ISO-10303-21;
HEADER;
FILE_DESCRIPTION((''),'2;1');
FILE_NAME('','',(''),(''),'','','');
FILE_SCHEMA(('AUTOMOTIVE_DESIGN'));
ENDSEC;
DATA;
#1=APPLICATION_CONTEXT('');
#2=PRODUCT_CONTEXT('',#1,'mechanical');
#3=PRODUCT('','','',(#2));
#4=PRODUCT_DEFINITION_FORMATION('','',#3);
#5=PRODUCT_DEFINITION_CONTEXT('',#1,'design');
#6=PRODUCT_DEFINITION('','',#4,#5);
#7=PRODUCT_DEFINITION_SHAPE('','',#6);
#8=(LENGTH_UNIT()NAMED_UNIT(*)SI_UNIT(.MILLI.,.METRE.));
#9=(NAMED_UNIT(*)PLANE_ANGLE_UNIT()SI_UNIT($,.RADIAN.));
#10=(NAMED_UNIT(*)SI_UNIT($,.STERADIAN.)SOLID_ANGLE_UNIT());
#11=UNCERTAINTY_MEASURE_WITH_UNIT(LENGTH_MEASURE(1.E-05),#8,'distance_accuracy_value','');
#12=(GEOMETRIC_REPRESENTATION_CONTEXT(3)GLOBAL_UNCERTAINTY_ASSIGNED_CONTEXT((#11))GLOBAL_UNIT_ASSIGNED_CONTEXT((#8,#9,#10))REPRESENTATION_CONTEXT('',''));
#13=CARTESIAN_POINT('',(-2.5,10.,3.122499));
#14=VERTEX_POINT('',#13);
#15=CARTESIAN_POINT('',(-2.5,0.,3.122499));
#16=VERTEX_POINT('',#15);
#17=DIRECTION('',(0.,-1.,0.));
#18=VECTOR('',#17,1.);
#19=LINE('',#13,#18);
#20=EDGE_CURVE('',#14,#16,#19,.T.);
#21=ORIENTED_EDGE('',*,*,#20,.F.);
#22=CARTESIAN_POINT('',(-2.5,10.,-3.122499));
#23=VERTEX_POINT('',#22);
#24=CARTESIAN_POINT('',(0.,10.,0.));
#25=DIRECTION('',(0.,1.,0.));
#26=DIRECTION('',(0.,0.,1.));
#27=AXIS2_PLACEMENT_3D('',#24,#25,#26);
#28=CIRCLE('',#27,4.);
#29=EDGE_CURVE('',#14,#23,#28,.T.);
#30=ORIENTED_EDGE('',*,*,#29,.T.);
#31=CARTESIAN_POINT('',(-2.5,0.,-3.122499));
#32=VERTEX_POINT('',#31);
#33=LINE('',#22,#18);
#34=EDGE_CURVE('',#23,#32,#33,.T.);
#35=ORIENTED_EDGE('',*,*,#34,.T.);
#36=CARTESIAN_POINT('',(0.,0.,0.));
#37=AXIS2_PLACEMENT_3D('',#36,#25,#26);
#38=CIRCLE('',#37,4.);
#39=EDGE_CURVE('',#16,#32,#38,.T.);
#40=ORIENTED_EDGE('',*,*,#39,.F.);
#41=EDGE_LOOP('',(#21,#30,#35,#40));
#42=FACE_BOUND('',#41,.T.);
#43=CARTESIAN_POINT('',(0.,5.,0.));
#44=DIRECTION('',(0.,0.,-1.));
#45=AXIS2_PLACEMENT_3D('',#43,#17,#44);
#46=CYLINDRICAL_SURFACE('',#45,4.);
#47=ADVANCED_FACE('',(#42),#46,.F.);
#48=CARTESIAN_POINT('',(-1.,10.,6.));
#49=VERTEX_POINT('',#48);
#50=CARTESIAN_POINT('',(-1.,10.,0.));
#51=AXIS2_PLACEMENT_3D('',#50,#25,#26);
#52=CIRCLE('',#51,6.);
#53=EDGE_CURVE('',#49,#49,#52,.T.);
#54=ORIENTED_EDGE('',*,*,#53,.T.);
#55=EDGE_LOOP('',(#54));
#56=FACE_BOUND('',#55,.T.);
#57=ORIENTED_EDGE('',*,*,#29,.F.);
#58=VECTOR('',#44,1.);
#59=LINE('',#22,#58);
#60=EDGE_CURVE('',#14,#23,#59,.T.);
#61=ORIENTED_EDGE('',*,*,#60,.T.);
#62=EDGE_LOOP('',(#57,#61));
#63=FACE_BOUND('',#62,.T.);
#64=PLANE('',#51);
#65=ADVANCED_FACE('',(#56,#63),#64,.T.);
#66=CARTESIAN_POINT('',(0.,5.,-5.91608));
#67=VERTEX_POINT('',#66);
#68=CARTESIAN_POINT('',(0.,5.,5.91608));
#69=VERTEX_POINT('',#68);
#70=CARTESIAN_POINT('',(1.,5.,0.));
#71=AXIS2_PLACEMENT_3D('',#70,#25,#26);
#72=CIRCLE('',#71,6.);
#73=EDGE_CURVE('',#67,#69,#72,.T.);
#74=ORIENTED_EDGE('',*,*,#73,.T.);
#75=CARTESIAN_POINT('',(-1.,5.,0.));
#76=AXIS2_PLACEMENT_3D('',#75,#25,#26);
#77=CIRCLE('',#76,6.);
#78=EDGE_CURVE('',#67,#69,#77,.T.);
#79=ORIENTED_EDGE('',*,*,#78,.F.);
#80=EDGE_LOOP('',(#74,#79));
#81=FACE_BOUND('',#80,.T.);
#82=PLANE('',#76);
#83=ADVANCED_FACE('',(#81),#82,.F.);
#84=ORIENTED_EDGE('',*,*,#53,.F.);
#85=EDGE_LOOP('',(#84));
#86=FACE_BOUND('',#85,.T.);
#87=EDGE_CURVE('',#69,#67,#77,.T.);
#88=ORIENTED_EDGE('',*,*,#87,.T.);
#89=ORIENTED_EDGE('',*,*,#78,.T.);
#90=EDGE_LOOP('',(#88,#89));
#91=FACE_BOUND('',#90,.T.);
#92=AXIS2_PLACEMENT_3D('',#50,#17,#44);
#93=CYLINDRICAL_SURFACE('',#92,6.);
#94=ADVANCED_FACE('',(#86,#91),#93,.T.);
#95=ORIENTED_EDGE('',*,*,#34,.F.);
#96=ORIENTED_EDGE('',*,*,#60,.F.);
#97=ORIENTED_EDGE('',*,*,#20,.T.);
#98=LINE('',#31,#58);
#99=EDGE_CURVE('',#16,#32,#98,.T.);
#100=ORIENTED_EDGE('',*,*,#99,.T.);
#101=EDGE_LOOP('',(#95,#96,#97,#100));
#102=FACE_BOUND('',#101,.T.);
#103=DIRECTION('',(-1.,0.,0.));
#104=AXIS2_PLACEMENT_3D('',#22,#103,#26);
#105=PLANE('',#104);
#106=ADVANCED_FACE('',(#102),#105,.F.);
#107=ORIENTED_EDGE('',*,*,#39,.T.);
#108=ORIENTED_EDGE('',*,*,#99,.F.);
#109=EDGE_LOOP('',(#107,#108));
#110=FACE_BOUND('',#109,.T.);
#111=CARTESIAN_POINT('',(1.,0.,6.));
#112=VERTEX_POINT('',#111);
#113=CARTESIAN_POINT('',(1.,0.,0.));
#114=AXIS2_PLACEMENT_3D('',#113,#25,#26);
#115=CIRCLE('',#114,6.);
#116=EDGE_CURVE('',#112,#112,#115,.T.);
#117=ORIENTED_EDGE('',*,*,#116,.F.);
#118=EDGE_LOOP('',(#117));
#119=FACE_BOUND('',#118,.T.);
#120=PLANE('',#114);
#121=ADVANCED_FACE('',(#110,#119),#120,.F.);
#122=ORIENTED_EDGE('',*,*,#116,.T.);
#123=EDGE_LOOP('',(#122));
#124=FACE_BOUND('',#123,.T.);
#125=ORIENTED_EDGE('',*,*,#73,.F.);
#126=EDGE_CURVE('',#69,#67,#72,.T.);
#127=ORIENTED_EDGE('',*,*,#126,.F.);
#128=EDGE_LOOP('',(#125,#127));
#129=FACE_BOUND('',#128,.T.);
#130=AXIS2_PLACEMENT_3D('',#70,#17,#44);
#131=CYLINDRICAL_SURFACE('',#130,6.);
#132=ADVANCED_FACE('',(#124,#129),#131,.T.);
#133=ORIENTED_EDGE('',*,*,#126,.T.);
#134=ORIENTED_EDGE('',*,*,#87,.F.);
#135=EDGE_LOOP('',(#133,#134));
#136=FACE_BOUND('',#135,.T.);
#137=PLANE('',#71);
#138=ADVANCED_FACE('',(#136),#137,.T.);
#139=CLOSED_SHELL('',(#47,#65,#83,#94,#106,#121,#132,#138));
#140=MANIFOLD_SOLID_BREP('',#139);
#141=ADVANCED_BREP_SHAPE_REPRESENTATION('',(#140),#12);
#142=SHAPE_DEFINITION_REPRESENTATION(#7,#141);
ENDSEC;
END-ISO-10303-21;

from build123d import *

# Parameters (mm, degrees)
SKETCH1_R           = 6
SKETCH1_R_2         = 4
BOSS_EXTRUDE1_DEPTH = 5
SKETCH2_R           = 6
SKETCH2_R_2         = 4
BOSS_EXTRUDE2_DEPTH = 5
BOSS_EXTRUDE3_DEPTH = 10


with BuildPart() as part:
    # Sketch1 → Boss-Extrude1 (new body)
    with BuildSketch(Plane(origin=(0, 0, 0), x_dir=(1, 0, 0), z_dir=(0, 1, 0))):
        with Locations(Location((1, 0, 0), (0, 0, 270))):
            Circle(SKETCH1_R)
        with Locations(Location((0, 0, 0), (0, 0, 270))):
            Circle(SKETCH1_R_2, mode=Mode.SUBTRACT)
    extrude(amount=BOSS_EXTRUDE1_DEPTH)

    # Sketch2 → Boss-Extrude2 (add)
    with BuildSketch(Plane(origin=(0, 5, 0), x_dir=(1, 0, 0), z_dir=(0, 1, 0))):
        with Locations(Location((-1, 0, 0), (0, 0, 80.405931773))):
            Circle(SKETCH2_R)
        with Locations(Location((0, 0, 0), (0, 0, 270))):
            Circle(SKETCH2_R_2, mode=Mode.SUBTRACT)
    extrude(amount=BOSS_EXTRUDE2_DEPTH)

    # Sketch3 → Boss-Extrude3 (add)
    with BuildSketch(Plane(origin=(0, 0, 0), x_dir=(1, 0, 0), z_dir=(0, 1, 0))):
        with BuildLine():
            Line((-2.5, 3.122498999), (-2.5, -3.122498999))
            ThreePointArc((-2.5, -3.122498999), (-4, 0), (-2.5, 3.122498999))
        make_face()
    extrude(amount=BOSS_EXTRUDE3_DEPTH)


solid = part.part
